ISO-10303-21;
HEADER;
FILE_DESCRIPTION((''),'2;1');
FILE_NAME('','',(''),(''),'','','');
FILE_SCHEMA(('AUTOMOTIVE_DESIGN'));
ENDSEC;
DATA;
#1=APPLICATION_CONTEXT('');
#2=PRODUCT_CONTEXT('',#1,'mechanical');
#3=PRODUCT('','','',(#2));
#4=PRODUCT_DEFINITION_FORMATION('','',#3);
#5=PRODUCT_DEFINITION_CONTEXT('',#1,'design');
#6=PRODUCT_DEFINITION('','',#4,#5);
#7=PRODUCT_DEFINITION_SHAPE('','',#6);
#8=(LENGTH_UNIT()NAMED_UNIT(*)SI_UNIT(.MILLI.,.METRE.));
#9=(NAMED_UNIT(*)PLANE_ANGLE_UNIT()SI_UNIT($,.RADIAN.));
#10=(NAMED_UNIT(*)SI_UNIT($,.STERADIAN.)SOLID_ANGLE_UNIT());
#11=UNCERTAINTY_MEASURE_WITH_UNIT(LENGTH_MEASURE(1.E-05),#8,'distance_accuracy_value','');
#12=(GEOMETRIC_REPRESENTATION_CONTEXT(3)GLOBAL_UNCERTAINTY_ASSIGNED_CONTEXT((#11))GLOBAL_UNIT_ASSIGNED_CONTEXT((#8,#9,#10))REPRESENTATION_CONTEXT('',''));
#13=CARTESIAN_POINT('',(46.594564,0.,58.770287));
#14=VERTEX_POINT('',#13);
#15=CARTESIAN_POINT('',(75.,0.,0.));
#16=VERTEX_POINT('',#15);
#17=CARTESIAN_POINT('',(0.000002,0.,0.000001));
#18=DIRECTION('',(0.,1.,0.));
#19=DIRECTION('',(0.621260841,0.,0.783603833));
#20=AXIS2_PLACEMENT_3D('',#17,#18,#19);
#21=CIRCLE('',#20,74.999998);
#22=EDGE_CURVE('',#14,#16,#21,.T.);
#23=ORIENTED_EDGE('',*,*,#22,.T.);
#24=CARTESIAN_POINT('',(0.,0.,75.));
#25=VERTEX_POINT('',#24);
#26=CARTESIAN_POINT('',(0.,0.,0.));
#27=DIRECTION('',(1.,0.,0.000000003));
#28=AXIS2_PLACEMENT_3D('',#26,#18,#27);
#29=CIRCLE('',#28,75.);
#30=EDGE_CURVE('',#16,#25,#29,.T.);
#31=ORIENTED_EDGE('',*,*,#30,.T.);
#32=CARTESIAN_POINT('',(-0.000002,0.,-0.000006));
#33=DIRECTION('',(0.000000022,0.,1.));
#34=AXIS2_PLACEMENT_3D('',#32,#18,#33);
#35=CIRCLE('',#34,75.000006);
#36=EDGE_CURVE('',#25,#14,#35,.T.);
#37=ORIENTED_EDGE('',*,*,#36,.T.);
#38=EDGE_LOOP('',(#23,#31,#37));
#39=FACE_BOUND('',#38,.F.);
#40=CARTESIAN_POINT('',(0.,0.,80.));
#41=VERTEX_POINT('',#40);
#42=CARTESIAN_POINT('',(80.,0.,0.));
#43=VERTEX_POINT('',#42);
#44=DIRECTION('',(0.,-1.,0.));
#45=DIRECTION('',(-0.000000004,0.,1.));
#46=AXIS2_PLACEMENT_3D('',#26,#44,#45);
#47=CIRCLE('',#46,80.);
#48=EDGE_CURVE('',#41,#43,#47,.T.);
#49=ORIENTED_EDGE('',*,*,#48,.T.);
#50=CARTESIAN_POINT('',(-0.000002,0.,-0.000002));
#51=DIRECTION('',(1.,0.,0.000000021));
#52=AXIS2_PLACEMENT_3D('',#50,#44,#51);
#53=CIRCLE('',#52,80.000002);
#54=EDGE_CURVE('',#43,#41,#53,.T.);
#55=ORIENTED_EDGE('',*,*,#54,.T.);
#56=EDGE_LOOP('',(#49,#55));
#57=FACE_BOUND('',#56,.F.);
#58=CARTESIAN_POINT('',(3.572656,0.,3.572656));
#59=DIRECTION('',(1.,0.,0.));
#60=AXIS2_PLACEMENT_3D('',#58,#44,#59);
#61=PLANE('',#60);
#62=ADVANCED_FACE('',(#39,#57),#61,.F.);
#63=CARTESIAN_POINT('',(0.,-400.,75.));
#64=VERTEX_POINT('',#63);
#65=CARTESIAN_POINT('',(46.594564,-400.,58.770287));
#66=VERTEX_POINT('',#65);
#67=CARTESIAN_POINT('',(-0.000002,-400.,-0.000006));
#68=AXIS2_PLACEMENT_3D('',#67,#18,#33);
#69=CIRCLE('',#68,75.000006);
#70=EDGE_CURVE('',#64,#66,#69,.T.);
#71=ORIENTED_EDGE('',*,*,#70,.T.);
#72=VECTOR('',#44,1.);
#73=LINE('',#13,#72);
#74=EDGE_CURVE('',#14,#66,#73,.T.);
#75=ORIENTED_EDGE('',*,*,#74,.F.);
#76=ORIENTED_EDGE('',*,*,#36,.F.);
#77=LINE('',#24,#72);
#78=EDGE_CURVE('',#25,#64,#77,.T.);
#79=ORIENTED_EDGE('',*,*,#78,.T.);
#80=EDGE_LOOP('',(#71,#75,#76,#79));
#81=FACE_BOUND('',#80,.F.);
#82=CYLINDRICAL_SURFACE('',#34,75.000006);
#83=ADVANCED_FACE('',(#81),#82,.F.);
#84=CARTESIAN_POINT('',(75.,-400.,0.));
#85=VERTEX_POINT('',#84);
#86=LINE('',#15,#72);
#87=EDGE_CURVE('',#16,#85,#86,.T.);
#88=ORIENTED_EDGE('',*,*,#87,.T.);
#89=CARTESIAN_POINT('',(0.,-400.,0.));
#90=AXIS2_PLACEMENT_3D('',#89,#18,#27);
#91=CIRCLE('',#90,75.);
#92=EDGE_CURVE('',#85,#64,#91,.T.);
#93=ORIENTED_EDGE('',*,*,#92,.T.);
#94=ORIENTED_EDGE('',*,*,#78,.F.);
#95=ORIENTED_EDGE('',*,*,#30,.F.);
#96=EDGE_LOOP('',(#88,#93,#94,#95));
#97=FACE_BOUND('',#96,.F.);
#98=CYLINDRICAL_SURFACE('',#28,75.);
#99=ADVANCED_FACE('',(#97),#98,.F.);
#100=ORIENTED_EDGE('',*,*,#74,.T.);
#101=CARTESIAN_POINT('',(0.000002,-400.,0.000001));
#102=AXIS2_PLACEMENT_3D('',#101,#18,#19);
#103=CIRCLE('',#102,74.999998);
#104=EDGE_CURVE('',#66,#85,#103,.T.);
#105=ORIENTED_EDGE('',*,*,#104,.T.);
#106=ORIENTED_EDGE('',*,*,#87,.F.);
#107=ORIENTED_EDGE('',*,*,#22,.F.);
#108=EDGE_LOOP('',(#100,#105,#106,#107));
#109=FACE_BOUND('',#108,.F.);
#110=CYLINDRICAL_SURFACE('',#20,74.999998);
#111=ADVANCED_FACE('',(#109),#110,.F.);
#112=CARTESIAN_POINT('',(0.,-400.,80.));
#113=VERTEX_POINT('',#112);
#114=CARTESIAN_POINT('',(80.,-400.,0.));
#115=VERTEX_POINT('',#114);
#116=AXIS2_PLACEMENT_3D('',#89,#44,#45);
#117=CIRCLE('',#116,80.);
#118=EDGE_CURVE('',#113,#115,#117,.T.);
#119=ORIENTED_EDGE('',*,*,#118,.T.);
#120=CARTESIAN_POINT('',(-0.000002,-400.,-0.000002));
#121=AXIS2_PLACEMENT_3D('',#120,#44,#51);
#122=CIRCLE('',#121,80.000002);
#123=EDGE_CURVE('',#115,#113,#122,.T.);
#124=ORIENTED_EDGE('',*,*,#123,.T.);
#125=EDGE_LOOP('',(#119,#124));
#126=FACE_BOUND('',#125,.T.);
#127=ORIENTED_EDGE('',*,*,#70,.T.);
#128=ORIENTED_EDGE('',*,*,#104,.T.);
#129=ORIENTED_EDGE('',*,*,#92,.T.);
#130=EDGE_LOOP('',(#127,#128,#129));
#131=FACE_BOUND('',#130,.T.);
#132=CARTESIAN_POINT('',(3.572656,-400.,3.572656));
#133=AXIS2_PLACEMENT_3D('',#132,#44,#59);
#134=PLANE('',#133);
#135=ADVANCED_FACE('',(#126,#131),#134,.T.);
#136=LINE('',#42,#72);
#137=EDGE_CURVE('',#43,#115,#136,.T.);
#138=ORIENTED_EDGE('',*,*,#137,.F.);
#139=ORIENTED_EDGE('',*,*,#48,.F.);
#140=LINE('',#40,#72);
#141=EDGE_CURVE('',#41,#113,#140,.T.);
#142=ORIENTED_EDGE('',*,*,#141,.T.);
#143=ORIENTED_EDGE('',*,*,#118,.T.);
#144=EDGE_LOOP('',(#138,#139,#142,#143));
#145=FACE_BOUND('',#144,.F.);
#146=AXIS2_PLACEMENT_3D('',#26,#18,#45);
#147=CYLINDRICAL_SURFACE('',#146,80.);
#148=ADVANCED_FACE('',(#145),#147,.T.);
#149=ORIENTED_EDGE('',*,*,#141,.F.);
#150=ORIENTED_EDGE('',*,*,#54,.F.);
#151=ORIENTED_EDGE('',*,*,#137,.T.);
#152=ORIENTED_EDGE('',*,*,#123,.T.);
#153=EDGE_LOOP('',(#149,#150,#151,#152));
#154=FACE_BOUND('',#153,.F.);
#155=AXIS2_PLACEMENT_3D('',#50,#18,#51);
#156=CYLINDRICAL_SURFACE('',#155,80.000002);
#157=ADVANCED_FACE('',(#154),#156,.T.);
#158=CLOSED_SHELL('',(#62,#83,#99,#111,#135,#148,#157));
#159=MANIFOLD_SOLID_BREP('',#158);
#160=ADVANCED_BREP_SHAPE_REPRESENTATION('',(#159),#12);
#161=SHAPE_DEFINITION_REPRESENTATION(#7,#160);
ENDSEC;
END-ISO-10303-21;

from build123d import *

# Parameters (mm, degrees)
F1_DEPTH = 400


with BuildPart() as f1:
    # F0 (on Front) → F1 (new body)
    with BuildSketch(Plane.XZ):
        with BuildLine():
            ThreePointArc((0, 80), (-56.568542, -56.568542), (80, 0))
            ThreePointArc((80, 0), (56.568542, 56.568542), (0, 80))
        make_face()
        with BuildLine():
            ThreePointArc((75, 0), (-53.033009, -53.033009), (0, 75))
            ThreePointArc((0, 75), (24.670108, 70.826448), (46.594564, 58.770287))
            ThreePointArc((46.594564, 58.770287), (67.526263, 32.637461), (75, 0))
        make_face(mode=Mode.SUBTRACT)
    extrude(amount=F1_DEPTH)


solid = f1.part
